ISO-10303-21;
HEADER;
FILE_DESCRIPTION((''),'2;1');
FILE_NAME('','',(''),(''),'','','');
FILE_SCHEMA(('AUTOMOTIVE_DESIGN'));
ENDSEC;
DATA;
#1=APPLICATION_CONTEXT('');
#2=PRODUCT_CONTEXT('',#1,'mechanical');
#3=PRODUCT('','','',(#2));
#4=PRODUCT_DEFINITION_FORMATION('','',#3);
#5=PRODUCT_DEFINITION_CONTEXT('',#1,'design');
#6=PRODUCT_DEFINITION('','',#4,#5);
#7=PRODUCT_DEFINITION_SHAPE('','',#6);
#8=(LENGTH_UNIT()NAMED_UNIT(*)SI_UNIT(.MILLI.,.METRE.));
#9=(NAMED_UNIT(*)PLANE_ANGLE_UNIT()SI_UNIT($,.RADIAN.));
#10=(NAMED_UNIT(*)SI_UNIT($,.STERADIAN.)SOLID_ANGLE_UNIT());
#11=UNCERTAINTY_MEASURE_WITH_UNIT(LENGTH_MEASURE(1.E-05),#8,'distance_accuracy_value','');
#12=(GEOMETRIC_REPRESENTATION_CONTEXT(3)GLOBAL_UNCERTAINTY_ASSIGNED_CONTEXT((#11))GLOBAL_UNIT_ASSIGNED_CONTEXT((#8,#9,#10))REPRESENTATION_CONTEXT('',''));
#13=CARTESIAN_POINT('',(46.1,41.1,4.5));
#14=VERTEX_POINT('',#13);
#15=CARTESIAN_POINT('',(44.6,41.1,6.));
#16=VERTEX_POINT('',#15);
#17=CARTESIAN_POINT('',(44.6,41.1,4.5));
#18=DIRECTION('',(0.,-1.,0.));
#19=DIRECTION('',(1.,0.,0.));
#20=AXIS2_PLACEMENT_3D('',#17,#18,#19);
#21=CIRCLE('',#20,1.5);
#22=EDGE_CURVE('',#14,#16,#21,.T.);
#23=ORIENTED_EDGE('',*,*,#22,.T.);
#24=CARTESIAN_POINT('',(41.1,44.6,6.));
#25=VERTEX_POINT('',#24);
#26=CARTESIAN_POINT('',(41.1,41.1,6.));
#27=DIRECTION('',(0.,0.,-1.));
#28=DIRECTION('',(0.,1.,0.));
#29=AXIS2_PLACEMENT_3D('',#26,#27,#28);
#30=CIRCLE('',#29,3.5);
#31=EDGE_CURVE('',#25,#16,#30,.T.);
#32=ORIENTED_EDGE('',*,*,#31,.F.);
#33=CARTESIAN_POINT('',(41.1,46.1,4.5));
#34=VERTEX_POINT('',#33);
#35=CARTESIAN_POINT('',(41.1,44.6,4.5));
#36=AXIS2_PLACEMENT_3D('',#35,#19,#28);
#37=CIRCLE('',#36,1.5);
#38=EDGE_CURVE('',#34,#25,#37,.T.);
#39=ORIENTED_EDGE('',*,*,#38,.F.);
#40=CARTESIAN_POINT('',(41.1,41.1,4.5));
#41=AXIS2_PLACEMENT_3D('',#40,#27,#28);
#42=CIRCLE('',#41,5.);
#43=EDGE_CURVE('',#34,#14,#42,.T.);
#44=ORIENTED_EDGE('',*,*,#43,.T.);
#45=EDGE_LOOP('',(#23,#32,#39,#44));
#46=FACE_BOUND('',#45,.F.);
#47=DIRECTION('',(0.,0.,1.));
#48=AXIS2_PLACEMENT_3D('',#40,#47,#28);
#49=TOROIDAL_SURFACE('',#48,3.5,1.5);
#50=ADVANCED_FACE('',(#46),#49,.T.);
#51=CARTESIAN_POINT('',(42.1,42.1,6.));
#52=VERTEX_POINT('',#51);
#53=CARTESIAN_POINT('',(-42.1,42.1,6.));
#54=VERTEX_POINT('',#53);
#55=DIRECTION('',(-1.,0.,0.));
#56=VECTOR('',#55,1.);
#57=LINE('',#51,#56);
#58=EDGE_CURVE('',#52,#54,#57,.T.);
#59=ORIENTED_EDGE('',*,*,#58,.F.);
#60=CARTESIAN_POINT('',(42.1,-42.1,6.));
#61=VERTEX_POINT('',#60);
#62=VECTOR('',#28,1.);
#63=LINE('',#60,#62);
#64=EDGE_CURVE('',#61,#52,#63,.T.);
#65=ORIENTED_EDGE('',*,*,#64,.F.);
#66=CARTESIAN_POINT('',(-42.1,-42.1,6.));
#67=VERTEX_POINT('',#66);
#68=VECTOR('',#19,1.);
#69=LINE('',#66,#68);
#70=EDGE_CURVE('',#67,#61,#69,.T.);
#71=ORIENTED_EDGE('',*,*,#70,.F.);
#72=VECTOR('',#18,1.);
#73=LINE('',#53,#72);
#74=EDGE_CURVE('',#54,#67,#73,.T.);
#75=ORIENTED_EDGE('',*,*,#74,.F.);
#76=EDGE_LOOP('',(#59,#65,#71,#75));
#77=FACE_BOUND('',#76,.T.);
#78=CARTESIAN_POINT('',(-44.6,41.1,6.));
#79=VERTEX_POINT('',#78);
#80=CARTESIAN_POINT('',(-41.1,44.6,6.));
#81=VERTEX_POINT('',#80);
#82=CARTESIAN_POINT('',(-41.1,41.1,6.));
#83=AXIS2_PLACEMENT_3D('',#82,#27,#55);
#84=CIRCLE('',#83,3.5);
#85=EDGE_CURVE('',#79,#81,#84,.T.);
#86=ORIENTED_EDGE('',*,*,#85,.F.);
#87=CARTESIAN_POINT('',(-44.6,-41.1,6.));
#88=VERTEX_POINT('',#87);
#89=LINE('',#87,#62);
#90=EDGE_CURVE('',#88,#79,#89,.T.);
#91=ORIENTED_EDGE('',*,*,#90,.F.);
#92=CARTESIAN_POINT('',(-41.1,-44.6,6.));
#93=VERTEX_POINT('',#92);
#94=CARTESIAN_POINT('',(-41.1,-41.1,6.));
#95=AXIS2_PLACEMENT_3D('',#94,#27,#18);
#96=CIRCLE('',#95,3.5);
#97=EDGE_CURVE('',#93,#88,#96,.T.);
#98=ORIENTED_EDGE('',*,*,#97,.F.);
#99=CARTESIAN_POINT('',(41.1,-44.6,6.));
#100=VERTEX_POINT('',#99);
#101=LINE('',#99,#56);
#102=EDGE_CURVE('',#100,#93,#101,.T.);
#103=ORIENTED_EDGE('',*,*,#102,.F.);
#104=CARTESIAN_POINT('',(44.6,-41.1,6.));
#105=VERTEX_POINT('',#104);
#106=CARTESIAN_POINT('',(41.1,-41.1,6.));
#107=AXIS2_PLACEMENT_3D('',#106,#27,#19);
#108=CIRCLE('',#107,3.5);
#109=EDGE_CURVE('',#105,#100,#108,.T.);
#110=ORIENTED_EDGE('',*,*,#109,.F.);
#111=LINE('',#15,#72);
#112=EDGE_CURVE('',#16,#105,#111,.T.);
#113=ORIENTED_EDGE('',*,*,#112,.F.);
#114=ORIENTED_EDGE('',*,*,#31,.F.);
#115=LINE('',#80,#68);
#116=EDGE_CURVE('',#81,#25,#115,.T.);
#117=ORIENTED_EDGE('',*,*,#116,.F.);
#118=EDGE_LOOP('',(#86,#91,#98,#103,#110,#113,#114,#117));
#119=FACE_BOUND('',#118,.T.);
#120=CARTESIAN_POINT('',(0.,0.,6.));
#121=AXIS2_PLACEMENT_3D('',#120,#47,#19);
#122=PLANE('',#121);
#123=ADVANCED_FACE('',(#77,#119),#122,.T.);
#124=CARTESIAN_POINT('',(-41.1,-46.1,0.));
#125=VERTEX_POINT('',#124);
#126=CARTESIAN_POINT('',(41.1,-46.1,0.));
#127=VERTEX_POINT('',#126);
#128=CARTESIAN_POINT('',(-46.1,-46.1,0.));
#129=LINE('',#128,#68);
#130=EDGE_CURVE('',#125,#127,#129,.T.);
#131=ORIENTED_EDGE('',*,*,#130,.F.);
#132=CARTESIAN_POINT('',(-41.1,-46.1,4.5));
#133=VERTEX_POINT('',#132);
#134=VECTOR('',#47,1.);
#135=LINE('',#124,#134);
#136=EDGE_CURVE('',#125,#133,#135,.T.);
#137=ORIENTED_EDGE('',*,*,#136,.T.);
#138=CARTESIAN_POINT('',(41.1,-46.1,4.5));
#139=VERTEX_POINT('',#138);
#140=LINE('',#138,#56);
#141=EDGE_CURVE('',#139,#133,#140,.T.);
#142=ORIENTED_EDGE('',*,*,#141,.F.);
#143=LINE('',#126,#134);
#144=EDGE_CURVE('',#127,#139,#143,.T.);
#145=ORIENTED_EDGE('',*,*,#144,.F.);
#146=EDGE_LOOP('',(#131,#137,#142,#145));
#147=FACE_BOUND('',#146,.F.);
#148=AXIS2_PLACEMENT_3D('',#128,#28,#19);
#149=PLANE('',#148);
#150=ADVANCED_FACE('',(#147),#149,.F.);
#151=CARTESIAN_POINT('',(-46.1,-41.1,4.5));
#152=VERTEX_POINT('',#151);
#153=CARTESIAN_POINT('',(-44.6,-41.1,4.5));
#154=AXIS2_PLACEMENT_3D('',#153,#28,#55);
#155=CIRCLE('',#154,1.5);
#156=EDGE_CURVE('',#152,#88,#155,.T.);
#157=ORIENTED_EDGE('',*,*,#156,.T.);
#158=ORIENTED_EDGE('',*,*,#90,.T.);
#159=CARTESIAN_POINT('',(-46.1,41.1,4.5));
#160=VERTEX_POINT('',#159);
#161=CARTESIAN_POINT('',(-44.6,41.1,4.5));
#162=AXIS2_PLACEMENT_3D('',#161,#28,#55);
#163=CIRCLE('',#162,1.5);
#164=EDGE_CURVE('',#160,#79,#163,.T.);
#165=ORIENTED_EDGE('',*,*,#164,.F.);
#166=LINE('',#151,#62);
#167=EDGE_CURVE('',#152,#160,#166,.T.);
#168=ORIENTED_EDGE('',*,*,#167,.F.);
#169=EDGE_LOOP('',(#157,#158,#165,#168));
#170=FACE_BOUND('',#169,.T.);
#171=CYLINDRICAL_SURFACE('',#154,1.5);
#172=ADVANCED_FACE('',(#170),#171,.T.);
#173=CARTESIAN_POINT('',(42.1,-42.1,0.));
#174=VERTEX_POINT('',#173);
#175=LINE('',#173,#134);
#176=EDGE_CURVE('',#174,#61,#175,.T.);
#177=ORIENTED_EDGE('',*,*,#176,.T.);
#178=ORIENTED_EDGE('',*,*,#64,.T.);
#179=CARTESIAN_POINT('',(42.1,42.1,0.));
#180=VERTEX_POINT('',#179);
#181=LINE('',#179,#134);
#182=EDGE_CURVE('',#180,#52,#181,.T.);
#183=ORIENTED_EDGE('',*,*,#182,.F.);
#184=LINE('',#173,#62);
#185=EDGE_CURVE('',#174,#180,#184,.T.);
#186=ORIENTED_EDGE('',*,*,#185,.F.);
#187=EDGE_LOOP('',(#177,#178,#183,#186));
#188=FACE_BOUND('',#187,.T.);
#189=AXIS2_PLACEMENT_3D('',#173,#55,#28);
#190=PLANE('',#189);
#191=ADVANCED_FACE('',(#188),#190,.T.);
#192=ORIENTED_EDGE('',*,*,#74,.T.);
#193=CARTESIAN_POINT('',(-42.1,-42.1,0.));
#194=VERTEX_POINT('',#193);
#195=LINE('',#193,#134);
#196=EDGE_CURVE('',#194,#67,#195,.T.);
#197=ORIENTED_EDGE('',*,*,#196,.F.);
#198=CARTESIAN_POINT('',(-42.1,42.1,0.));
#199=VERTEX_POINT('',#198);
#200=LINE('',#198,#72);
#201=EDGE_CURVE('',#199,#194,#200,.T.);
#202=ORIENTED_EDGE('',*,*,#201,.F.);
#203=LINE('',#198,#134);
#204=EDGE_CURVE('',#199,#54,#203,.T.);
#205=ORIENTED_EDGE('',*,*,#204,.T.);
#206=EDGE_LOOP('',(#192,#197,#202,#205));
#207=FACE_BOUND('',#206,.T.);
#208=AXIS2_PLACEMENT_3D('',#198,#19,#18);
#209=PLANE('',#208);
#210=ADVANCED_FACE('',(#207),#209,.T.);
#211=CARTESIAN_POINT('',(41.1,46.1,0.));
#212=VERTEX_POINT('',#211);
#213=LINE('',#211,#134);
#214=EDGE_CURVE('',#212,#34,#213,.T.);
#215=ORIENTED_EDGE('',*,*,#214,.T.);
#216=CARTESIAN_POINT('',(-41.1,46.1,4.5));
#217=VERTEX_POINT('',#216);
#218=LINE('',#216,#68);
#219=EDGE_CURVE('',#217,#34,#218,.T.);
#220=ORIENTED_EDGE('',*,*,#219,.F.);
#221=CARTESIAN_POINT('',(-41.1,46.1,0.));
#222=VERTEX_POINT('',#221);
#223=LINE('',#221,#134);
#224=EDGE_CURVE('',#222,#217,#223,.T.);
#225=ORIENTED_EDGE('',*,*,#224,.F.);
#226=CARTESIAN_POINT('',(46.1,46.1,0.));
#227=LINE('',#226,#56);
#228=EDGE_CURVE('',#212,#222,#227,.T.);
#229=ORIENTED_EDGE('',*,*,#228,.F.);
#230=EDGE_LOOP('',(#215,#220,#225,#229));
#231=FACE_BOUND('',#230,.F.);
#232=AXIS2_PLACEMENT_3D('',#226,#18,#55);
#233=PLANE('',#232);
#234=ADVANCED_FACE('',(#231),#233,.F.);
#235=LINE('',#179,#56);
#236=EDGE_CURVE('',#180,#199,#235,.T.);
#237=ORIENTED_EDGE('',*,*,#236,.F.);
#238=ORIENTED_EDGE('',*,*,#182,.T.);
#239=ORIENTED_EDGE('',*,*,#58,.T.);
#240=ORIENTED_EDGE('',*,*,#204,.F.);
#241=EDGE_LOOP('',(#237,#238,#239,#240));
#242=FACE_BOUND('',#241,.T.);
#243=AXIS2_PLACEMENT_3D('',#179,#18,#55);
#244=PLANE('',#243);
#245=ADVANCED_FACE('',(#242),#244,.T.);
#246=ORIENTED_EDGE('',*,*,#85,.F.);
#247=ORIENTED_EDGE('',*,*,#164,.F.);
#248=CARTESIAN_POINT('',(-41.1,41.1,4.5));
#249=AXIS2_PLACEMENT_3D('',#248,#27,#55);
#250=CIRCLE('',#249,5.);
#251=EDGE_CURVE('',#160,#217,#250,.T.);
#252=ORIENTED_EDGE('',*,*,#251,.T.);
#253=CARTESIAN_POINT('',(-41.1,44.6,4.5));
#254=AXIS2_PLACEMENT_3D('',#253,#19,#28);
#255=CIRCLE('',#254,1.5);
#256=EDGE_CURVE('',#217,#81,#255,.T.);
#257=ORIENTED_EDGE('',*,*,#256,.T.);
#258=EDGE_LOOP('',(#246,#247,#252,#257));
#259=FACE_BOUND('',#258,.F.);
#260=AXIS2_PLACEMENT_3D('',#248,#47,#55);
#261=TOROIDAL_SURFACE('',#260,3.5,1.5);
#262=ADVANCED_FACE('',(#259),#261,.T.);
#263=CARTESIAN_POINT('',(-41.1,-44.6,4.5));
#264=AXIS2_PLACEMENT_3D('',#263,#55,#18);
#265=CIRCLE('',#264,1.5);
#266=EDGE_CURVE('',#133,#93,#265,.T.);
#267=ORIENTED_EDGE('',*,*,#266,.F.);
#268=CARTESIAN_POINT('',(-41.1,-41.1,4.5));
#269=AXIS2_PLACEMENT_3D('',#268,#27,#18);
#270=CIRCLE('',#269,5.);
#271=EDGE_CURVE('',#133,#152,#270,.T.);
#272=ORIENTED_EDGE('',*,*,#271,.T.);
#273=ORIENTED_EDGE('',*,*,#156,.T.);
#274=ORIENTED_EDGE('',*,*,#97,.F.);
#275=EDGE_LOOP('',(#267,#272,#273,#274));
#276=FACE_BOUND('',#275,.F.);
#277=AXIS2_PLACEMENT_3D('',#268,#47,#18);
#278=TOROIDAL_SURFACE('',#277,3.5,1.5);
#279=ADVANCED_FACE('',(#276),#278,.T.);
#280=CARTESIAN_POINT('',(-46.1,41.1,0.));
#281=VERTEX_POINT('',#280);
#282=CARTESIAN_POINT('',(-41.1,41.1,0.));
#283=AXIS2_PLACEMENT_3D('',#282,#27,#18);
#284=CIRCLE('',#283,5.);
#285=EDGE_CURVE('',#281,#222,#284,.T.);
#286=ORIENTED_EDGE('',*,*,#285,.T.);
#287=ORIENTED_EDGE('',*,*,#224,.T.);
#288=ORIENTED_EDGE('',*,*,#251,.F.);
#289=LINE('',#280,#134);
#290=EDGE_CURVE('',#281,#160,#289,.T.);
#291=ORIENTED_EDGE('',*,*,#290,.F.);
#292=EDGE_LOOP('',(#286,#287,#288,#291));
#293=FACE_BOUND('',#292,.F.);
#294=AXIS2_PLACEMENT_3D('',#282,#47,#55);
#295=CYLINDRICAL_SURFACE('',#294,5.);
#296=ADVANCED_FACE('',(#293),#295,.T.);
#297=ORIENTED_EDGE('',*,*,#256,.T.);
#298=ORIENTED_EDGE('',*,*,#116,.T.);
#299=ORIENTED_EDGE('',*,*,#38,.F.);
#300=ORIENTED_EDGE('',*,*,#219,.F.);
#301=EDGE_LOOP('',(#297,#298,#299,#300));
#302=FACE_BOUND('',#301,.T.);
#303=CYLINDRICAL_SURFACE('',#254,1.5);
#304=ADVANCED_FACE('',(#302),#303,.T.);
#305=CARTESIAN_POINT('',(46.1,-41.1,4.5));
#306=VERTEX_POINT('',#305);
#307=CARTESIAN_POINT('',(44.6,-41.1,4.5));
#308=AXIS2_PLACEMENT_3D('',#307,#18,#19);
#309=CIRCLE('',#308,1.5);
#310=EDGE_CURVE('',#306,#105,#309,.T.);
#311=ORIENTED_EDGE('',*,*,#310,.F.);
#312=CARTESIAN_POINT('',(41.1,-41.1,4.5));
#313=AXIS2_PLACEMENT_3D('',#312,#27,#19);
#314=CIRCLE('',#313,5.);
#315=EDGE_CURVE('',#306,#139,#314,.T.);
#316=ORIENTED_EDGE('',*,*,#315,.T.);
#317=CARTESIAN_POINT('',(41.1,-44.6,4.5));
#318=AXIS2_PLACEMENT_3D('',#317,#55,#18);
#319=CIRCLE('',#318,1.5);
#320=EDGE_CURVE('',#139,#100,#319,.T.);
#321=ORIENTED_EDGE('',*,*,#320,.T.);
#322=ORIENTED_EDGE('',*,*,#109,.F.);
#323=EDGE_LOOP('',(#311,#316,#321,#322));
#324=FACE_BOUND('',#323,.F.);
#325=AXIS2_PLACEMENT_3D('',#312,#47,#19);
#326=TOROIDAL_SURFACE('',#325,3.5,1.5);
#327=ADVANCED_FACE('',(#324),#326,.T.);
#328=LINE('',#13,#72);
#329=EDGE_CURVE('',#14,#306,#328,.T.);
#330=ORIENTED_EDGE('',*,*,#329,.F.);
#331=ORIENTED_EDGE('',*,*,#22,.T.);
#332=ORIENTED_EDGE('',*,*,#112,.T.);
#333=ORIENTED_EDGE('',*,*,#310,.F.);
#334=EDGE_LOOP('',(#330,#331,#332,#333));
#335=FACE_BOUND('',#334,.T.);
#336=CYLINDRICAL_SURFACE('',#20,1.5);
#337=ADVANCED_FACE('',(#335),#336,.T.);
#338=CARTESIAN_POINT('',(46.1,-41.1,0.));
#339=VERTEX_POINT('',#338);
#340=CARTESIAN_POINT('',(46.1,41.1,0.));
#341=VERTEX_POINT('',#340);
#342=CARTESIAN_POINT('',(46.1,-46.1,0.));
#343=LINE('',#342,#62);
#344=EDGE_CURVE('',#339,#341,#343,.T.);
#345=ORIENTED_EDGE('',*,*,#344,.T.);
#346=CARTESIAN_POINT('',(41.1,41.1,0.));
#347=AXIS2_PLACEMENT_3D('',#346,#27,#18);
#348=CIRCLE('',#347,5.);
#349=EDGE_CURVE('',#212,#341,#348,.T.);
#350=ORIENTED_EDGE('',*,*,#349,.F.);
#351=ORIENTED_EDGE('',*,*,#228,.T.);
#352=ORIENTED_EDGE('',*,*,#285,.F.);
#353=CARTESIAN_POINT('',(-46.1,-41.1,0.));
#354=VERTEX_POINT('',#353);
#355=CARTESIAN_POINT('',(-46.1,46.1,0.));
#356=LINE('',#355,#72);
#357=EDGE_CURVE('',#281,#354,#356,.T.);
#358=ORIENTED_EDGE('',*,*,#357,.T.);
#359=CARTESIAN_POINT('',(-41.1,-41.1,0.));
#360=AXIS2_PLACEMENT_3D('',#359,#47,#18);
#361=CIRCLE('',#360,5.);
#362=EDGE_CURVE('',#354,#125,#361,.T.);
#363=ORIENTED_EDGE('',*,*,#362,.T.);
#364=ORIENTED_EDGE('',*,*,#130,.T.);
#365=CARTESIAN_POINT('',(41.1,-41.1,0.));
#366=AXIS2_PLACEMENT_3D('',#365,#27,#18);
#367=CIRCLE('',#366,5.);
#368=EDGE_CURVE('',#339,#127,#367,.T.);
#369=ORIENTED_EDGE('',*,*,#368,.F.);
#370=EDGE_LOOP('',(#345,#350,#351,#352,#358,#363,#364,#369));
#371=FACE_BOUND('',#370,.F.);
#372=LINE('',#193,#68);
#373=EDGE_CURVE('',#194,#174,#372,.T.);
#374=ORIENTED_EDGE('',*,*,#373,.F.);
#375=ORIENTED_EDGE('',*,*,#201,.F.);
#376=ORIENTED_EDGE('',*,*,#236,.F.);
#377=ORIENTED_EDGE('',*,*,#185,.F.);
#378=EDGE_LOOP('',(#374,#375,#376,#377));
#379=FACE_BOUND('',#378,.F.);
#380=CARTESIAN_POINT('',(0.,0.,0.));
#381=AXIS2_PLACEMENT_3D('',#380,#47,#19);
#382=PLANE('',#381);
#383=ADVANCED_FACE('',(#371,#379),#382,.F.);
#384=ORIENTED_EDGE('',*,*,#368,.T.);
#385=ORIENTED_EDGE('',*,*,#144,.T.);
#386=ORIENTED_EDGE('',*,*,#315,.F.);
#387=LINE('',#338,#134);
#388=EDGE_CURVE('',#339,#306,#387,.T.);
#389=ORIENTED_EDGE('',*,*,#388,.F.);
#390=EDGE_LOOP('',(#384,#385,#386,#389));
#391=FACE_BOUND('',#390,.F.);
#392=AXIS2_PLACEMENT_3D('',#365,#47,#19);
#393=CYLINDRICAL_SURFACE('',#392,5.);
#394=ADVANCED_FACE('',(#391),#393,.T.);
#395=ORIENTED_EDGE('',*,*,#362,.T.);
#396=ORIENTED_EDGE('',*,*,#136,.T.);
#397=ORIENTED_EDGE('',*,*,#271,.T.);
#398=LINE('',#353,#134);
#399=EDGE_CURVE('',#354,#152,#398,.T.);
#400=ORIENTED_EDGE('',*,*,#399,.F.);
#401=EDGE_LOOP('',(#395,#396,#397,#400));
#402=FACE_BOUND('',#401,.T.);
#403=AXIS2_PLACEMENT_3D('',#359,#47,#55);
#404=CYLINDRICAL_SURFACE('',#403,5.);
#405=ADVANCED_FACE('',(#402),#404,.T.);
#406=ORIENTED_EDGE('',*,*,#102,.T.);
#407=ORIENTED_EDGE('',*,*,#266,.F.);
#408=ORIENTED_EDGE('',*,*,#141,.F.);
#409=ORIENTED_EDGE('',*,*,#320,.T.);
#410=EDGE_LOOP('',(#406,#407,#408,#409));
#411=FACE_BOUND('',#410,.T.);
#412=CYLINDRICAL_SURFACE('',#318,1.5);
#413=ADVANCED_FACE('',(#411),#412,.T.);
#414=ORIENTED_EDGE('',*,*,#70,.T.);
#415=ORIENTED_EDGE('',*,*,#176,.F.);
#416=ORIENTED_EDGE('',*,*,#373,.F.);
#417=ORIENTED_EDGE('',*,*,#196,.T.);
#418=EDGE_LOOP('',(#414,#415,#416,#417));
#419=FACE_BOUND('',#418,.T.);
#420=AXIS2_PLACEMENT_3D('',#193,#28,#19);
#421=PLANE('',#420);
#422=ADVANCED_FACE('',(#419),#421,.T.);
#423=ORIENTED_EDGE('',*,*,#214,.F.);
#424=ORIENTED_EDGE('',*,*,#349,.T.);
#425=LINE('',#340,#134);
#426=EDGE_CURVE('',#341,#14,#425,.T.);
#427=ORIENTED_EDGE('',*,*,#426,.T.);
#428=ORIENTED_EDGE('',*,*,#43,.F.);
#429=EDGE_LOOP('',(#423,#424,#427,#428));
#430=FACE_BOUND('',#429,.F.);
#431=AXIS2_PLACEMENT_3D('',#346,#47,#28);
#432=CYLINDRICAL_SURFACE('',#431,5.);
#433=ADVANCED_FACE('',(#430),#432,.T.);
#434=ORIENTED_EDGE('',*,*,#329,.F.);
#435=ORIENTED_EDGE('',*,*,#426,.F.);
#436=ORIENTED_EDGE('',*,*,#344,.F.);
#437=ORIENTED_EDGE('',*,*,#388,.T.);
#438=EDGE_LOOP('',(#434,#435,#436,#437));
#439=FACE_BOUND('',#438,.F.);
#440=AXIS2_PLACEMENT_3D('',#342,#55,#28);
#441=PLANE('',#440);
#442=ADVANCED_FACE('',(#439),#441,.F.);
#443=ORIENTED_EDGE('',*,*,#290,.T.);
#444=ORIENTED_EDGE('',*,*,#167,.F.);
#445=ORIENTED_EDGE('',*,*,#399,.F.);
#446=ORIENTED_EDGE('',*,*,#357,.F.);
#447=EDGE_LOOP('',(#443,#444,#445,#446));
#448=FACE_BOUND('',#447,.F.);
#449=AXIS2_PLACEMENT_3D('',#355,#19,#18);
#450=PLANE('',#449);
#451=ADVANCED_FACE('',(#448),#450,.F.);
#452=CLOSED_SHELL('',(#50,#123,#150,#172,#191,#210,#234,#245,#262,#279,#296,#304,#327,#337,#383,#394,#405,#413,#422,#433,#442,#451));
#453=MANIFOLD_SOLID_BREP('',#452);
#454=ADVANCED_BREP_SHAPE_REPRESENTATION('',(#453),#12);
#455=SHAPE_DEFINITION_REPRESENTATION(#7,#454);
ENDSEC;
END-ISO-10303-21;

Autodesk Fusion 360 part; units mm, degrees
sketch "Sketch1" plane through (0, 0, 0) normal (0, 0, 1) x (1, 0, 0)
  line L0 (42.1, 42.1) -> (-42.1, 42.1)
  line L1 (-42.1, 42.1) -> (-42.1, -42.1)
  line L2 (-42.1, -42.1) -> (42.1, -42.1)
  line L3 (42.1, -42.1) -> (42.1, 42.1)
  line L4 (42.1, 42.1) -> (-42.1, -42.1) construction
  line L5 (-42.1, 42.1) -> (42.1, -42.1) construction
  line L6 (-46.1, -46.1) -> (46.1, -46.1)
  line L7 (46.1, -46.1) -> (46.1, 46.1)
  line L8 (46.1, 46.1) -> (-46.1, 46.1)
  line L9 (-46.1, 46.1) -> (-46.1, -46.1)
  dimension "d1" = 84.2
  dimension "d2" = 84.2
  dimension "d3" = 4
extrude "Extrude1" add sketch "Sketch1" along normal blind 6
fillet "Fillet1" radius 5 4 edges at (-46.1, -46.1, 3) (46.1, -46.1, 3) (46.1, 46.1, 3) (-46.1, 46.1, 3)
fillet "Fillet2" radius 1.5 8 edges at (-44.6355, 44.6355, 6) (-46.1, 0, 6) (-44.6355, -44.6355, 6) (0, -46.1, 6) (44.6355, -44.6355, 6) (46.1, 0, 6) (44.6355, 44.6355, 6) (0, 46.1, 6)
